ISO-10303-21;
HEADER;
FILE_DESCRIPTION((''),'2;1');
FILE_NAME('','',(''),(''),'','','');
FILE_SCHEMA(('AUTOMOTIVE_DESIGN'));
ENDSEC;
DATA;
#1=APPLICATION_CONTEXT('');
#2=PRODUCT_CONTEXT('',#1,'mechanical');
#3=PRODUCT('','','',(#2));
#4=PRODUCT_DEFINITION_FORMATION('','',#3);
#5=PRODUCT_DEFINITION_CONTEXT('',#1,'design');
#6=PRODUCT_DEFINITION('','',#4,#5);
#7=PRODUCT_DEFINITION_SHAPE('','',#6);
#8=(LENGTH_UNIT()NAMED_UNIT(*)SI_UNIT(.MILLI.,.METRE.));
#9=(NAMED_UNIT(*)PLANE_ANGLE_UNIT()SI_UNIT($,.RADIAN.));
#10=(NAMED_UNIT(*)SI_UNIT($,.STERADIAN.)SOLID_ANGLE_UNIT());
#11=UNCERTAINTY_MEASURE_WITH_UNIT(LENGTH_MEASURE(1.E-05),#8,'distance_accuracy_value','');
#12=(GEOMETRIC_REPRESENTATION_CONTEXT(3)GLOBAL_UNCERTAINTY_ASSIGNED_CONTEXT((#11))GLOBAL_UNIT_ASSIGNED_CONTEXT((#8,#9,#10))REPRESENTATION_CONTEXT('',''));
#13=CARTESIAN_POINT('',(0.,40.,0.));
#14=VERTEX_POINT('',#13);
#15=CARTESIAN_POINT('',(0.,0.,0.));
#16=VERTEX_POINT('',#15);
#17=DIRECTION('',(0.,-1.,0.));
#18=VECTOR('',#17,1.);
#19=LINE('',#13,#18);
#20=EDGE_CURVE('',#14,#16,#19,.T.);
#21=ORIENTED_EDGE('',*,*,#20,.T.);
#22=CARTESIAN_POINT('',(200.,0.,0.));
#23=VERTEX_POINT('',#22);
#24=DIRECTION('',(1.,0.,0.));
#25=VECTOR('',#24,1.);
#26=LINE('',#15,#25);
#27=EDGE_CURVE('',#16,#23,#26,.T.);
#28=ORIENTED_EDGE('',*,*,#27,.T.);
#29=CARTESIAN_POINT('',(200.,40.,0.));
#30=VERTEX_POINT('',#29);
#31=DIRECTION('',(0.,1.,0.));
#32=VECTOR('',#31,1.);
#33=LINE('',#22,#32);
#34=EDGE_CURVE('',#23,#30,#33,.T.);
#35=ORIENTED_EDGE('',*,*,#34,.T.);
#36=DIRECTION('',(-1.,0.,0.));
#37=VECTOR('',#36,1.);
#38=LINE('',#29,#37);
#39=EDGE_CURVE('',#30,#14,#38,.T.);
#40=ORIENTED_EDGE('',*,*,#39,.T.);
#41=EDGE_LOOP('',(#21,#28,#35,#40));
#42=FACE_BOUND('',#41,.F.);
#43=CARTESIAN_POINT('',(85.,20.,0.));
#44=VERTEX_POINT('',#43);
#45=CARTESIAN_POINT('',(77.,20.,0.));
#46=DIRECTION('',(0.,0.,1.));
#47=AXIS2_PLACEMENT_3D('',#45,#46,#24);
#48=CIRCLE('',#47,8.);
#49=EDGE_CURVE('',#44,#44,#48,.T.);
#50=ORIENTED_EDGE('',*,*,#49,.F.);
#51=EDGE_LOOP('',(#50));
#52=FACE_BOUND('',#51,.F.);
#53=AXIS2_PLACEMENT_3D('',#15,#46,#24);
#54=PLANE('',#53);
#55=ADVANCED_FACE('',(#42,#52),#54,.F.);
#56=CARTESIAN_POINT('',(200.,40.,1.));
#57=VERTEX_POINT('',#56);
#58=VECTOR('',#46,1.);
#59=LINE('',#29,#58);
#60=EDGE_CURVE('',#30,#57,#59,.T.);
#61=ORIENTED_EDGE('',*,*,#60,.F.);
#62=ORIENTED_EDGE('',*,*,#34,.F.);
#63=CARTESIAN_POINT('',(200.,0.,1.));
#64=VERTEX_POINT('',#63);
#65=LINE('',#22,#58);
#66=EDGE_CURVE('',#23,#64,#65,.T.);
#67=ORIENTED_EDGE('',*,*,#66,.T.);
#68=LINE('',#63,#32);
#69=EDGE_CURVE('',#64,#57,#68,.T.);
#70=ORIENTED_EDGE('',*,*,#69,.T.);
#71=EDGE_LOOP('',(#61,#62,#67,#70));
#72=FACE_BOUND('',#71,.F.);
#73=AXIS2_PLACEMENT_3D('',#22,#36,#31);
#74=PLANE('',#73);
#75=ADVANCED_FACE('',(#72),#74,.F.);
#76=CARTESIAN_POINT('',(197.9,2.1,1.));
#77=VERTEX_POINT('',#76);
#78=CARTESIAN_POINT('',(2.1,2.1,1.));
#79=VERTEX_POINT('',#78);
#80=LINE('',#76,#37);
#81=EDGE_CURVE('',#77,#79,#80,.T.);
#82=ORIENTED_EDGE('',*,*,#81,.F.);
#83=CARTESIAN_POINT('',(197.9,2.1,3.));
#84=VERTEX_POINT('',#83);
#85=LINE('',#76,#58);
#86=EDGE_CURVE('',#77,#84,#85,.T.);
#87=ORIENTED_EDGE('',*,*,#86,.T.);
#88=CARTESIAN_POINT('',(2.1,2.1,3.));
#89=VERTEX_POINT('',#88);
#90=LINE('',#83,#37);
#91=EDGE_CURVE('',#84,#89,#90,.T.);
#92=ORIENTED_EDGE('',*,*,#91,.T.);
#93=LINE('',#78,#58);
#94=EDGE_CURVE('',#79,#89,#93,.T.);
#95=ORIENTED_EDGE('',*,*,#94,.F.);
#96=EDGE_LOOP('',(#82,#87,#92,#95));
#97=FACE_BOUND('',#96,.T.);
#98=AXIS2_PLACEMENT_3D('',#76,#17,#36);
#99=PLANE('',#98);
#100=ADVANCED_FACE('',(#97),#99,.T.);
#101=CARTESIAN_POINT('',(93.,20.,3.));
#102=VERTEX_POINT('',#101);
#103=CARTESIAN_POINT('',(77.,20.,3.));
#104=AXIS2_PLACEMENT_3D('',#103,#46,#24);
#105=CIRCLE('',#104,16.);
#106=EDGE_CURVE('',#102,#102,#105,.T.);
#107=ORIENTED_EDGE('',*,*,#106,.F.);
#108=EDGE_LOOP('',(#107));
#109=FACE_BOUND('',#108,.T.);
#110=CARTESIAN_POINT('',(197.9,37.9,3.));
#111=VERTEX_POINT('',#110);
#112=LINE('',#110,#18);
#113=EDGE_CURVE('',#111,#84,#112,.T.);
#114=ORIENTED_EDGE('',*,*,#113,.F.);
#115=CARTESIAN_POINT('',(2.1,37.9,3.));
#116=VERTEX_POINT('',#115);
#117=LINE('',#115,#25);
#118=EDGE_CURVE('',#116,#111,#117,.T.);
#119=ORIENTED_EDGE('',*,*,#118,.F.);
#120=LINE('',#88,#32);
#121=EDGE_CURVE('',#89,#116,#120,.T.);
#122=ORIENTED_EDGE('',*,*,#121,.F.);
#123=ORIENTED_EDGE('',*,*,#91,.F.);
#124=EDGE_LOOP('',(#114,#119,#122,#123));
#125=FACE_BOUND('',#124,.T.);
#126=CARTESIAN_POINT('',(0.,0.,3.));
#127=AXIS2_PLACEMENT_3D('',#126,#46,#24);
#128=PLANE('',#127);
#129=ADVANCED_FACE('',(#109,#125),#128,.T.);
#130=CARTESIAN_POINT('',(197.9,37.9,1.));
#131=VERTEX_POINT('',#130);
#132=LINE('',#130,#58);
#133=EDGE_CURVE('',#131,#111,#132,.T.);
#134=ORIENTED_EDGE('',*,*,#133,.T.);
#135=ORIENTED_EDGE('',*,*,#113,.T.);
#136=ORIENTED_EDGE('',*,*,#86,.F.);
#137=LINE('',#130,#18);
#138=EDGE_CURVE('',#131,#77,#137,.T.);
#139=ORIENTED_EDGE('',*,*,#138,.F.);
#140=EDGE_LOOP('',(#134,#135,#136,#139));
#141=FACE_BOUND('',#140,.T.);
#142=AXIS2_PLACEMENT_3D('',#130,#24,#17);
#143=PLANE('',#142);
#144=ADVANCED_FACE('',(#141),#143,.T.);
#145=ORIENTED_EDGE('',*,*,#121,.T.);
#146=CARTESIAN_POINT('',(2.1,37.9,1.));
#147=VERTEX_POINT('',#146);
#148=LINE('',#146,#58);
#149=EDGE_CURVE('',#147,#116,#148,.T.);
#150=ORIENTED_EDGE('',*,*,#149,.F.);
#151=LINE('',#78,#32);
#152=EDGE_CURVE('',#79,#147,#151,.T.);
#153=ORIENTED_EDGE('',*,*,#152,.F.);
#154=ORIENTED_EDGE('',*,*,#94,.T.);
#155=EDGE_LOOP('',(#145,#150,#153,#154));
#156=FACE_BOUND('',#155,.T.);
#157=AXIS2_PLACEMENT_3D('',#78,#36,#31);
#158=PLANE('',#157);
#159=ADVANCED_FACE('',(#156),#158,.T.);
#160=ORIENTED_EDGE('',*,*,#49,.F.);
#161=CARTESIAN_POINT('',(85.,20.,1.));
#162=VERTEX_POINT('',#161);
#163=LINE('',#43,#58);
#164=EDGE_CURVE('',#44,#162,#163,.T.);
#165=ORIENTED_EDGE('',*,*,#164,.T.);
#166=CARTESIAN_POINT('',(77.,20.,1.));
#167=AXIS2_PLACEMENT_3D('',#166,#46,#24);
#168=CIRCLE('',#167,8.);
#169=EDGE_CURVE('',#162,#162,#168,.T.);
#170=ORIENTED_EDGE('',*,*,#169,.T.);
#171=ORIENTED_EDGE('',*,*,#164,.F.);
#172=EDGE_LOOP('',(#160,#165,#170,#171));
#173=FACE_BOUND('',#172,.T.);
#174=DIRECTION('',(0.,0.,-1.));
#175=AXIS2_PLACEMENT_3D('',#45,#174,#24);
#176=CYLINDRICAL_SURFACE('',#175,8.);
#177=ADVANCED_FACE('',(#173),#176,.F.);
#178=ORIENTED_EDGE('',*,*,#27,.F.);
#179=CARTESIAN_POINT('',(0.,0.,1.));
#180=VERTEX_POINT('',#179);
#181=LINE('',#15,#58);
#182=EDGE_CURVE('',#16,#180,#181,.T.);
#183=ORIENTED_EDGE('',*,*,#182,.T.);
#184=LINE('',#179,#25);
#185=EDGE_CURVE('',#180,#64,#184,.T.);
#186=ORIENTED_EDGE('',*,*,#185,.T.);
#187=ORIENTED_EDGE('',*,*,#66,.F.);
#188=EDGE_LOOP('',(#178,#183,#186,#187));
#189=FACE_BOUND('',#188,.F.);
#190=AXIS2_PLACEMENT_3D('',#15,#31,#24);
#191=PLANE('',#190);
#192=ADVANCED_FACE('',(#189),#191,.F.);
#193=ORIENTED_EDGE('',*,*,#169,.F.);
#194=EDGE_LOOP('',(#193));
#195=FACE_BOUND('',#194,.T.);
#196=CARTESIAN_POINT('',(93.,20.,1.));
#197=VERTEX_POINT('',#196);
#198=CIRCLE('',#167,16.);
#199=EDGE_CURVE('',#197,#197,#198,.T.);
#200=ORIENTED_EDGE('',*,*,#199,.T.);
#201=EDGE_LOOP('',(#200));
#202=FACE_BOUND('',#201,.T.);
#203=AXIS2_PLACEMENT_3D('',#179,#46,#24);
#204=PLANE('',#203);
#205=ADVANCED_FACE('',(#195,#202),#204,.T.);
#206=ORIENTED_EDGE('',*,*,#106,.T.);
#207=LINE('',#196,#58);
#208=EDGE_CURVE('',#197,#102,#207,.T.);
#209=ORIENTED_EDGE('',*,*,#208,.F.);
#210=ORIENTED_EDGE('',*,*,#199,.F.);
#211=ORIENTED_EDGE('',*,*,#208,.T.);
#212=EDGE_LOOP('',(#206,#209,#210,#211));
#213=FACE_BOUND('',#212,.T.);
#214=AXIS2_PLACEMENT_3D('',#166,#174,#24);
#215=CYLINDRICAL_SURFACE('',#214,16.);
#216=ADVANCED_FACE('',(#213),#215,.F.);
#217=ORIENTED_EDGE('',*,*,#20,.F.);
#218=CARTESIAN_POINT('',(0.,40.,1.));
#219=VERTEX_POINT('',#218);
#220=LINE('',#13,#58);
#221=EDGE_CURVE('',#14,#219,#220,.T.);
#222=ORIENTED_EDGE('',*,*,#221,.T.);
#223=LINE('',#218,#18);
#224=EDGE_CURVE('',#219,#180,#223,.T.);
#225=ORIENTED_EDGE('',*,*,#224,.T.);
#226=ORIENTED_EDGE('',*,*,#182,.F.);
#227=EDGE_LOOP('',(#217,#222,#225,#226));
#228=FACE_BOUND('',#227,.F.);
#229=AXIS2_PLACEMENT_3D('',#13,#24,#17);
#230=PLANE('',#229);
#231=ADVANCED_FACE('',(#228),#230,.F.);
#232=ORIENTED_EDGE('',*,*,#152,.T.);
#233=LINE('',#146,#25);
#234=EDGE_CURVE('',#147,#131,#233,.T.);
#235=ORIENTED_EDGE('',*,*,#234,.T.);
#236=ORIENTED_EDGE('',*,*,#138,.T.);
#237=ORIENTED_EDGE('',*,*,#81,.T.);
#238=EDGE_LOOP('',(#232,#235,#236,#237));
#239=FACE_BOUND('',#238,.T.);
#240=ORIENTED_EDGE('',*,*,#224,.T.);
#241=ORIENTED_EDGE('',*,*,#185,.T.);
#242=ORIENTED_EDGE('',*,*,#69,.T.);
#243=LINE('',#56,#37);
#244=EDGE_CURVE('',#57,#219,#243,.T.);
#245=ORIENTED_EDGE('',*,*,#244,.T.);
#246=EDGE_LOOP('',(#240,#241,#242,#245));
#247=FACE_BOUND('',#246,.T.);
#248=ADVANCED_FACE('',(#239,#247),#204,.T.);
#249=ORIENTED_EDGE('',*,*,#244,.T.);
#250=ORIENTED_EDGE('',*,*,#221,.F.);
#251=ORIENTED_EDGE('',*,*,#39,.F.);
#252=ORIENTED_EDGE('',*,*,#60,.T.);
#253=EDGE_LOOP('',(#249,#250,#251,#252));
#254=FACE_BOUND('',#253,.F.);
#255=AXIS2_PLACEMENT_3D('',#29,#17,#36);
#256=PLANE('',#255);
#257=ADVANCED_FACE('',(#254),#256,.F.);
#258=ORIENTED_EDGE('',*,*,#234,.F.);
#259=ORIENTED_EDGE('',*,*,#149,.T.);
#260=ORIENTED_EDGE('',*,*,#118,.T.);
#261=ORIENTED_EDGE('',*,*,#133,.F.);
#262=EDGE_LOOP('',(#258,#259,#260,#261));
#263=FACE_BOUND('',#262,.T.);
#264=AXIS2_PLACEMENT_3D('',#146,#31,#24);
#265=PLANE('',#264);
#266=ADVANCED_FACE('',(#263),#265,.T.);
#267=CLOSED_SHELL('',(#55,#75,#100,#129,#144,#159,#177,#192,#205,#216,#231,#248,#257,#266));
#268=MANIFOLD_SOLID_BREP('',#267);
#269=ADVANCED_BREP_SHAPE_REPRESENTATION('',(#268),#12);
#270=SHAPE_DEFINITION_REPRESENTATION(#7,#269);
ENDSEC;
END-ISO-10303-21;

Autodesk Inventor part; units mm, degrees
ref_plane "YZ Plane" through (0, 0, 0) normal (1, 0, 0) x (0, 1, 0)
ref_plane "XZ Plane" through (0, 0, 0) normal (0, 1, 0) x (-1, 0, 0)
ref_plane "XY Plane" through (0, 0, 0) normal (0, 0, 1) x (1, 0, 0)
sketch "Boceto1" plane through (0, 0, 0) normal (0, 0, 1) x (1, 0, 0)
  line L0 (0, 0) -> (200, 0)
  line L1 (200, 0) -> (200, 40)
  line L2 (200, 40) -> (0, 40)
  line L3 (0, 40) -> (0, 0)
  circle A0 centre (77, 20) radius 8
  dimension "d0" = 200
  dimension "d1" = 40
  dimension "d2" = 16
  dimension "d3" = 77
  dimension "d4" = 20
extrude "Extrusión1" add sketch "Boceto1" along normal blind 1
sketch "Boceto2" plane through (0, 0, 1) normal (0, 0, 1) x (1, 0, 0)
  circle A0 centre (77, 20) radius 8 projected
  line L0 (0, 0) -> (0, 40) projected
  line L1 (200, 0) -> (0, 0) projected
  line L2 (200, 40) -> (200, 0) projected
  line L3 (0, 40) -> (200, 40) projected
  line L4 (197.9, 37.9) -> (197.9, 2.1)
  line L5 (197.9, 2.1) -> (2.1, 2.1)
  line L6 (2.1, 2.1) -> (2.1, 37.9)
  line L7 (2.1, 37.9) -> (197.9, 37.9)
  circle A1 centre (77, 20) radius 16
  dimension "d7" = 2.1
  dimension "d8" = 32
extrude "Extrusión2" add sketch "Boceto2" along normal blind 2 contours L4 L5 L6 L7
properties part number "Tapa"
